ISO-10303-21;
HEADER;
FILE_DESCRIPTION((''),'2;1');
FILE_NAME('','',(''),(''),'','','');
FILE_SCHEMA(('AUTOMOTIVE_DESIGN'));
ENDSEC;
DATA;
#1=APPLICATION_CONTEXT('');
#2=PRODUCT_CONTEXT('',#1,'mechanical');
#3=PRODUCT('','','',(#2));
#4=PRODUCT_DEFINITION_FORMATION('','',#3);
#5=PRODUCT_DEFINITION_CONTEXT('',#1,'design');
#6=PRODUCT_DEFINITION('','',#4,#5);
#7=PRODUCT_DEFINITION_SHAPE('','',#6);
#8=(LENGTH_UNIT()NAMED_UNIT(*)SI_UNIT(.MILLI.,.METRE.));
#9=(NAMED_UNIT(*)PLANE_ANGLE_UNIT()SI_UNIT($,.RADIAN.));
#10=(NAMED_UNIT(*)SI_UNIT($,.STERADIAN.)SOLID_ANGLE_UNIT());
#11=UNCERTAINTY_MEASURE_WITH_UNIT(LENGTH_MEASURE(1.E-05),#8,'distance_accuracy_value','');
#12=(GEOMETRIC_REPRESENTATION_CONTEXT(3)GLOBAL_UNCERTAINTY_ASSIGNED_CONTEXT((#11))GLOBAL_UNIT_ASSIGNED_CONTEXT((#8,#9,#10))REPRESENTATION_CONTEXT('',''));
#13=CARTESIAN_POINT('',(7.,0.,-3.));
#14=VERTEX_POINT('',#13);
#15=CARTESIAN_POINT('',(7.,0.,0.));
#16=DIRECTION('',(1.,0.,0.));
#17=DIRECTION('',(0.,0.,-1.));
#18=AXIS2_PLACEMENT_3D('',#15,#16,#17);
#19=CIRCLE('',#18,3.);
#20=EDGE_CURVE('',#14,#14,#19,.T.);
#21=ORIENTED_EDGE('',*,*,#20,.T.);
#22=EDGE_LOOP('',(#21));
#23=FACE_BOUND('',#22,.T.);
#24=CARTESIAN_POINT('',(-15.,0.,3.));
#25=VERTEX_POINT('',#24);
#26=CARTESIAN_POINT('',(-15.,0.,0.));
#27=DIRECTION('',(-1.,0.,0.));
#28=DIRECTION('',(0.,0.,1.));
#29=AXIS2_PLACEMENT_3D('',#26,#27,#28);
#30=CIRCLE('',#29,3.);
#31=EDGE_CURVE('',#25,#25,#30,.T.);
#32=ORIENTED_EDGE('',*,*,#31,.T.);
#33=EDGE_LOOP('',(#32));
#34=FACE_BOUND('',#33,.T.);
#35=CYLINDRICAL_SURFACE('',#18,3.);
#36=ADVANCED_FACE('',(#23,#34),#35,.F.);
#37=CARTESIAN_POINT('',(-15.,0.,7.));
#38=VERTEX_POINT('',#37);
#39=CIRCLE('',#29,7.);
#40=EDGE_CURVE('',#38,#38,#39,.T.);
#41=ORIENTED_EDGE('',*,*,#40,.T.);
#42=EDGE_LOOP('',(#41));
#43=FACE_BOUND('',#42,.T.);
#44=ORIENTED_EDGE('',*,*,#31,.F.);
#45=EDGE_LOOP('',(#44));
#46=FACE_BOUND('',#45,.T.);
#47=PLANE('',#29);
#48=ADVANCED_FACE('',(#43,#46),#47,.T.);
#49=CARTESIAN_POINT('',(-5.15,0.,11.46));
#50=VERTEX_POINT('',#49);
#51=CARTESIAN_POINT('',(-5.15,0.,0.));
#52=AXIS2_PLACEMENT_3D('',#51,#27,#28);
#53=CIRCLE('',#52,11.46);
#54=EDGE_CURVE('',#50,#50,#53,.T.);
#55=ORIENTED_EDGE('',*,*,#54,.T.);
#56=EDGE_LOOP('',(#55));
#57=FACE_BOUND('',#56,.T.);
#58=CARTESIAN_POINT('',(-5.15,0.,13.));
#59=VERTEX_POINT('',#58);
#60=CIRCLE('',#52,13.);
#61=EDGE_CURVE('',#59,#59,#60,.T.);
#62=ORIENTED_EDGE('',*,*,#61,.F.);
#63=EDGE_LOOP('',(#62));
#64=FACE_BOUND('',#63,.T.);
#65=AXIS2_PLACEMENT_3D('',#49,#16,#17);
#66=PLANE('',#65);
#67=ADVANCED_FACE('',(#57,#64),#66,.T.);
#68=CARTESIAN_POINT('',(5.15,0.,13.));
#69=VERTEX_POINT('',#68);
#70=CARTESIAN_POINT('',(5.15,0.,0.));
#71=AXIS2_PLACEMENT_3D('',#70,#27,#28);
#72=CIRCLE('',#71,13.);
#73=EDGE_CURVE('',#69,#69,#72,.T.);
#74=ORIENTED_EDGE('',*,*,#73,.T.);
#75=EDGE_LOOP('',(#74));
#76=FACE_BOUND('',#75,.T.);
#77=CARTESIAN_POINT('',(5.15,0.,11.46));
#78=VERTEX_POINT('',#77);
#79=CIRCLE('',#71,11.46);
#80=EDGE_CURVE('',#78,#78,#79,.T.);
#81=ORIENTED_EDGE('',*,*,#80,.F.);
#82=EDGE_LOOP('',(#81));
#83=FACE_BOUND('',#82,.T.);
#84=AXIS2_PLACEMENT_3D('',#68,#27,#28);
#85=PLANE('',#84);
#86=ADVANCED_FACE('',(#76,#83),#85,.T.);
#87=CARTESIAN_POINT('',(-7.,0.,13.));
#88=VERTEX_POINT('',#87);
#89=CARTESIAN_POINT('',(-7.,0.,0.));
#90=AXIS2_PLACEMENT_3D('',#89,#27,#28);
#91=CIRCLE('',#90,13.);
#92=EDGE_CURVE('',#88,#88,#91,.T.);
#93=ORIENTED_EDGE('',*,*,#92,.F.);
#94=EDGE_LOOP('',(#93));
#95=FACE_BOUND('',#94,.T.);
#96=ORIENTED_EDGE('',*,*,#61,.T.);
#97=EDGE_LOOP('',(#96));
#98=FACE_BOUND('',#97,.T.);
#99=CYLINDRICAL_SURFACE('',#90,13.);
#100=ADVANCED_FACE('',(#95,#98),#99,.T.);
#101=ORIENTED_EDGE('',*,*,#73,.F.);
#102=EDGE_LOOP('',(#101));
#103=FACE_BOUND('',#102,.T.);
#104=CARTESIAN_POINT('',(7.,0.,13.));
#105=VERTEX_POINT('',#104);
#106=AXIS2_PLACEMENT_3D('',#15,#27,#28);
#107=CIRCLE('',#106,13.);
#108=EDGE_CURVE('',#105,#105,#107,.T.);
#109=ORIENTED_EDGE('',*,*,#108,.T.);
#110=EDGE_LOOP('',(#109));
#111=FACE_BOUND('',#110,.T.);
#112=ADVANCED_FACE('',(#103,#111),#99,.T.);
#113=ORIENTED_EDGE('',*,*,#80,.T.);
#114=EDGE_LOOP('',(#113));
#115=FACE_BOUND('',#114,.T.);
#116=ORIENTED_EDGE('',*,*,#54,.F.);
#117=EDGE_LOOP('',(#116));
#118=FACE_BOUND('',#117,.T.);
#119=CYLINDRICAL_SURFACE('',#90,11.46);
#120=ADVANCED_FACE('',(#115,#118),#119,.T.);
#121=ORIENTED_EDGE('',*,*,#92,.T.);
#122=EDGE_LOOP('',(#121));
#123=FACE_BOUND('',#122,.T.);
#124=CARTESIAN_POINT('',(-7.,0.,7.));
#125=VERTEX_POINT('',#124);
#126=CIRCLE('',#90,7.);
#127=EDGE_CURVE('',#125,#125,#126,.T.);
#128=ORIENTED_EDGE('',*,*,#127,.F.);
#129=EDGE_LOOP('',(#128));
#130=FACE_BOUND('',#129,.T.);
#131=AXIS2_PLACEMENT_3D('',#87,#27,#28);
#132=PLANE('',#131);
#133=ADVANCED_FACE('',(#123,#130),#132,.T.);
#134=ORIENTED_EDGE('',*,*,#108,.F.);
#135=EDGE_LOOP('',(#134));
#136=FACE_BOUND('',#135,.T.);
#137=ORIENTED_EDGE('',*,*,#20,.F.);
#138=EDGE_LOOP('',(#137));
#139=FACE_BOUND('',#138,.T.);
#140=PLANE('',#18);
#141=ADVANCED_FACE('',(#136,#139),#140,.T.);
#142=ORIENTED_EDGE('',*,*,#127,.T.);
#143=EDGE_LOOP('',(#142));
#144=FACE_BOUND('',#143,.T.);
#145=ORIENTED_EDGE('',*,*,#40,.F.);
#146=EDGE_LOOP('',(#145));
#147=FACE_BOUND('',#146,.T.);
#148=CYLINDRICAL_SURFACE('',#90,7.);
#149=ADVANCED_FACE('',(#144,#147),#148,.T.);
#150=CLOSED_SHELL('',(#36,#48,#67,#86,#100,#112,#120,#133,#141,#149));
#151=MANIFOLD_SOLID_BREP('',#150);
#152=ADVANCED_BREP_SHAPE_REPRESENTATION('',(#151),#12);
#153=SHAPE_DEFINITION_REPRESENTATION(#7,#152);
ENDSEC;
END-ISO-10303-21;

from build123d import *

# Parameters (mm, degrees)
F_6_0_6_DIAMETER_HOLE2_D     = 6
F_6_0_6_DIAMETER_HOLE2_DEPTH = 24
F_6_0_6_DIAMETER_HOLE2_TIP   = 1.802581857


with BuildPart() as part:
    # Sketch1 → Revolve1 (revolve)
    with BuildSketch(Plane(origin=(0, 0, 0), x_dir=(1, 0, 0), z_dir=(0, 1, 0))):
        Polygon((0, -11.46), (-5.15, -11.46), (-5.15, -13), (-7, -13), (-7, -7), (-15, -7), (-15, 0), (-7, 0), (7, 0), (7, -13), (5.15, -13), (5.15, -11.46), align=None)
    revolve(axis=Axis((-7, 0, 0), (1, 0, 0)))

    # Ø6.0 (6) Diameter Hole2
    with Locations(Plane(origin=(7, 0, 0), x_dir=(0, 0, -1), z_dir=(1, 0, 0))):
        with Locations((0, 0)):
            Hole(F_6_0_6_DIAMETER_HOLE2_D / 2, depth=F_6_0_6_DIAMETER_HOLE2_DEPTH)
            with Locations((0, 0, -(F_6_0_6_DIAMETER_HOLE2_DEPTH + F_6_0_6_DIAMETER_HOLE2_TIP / 2))):  # 118° drill point
                Cone(0, F_6_0_6_DIAMETER_HOLE2_D / 2, F_6_0_6_DIAMETER_HOLE2_TIP, mode=Mode.SUBTRACT)


solid = part.part
